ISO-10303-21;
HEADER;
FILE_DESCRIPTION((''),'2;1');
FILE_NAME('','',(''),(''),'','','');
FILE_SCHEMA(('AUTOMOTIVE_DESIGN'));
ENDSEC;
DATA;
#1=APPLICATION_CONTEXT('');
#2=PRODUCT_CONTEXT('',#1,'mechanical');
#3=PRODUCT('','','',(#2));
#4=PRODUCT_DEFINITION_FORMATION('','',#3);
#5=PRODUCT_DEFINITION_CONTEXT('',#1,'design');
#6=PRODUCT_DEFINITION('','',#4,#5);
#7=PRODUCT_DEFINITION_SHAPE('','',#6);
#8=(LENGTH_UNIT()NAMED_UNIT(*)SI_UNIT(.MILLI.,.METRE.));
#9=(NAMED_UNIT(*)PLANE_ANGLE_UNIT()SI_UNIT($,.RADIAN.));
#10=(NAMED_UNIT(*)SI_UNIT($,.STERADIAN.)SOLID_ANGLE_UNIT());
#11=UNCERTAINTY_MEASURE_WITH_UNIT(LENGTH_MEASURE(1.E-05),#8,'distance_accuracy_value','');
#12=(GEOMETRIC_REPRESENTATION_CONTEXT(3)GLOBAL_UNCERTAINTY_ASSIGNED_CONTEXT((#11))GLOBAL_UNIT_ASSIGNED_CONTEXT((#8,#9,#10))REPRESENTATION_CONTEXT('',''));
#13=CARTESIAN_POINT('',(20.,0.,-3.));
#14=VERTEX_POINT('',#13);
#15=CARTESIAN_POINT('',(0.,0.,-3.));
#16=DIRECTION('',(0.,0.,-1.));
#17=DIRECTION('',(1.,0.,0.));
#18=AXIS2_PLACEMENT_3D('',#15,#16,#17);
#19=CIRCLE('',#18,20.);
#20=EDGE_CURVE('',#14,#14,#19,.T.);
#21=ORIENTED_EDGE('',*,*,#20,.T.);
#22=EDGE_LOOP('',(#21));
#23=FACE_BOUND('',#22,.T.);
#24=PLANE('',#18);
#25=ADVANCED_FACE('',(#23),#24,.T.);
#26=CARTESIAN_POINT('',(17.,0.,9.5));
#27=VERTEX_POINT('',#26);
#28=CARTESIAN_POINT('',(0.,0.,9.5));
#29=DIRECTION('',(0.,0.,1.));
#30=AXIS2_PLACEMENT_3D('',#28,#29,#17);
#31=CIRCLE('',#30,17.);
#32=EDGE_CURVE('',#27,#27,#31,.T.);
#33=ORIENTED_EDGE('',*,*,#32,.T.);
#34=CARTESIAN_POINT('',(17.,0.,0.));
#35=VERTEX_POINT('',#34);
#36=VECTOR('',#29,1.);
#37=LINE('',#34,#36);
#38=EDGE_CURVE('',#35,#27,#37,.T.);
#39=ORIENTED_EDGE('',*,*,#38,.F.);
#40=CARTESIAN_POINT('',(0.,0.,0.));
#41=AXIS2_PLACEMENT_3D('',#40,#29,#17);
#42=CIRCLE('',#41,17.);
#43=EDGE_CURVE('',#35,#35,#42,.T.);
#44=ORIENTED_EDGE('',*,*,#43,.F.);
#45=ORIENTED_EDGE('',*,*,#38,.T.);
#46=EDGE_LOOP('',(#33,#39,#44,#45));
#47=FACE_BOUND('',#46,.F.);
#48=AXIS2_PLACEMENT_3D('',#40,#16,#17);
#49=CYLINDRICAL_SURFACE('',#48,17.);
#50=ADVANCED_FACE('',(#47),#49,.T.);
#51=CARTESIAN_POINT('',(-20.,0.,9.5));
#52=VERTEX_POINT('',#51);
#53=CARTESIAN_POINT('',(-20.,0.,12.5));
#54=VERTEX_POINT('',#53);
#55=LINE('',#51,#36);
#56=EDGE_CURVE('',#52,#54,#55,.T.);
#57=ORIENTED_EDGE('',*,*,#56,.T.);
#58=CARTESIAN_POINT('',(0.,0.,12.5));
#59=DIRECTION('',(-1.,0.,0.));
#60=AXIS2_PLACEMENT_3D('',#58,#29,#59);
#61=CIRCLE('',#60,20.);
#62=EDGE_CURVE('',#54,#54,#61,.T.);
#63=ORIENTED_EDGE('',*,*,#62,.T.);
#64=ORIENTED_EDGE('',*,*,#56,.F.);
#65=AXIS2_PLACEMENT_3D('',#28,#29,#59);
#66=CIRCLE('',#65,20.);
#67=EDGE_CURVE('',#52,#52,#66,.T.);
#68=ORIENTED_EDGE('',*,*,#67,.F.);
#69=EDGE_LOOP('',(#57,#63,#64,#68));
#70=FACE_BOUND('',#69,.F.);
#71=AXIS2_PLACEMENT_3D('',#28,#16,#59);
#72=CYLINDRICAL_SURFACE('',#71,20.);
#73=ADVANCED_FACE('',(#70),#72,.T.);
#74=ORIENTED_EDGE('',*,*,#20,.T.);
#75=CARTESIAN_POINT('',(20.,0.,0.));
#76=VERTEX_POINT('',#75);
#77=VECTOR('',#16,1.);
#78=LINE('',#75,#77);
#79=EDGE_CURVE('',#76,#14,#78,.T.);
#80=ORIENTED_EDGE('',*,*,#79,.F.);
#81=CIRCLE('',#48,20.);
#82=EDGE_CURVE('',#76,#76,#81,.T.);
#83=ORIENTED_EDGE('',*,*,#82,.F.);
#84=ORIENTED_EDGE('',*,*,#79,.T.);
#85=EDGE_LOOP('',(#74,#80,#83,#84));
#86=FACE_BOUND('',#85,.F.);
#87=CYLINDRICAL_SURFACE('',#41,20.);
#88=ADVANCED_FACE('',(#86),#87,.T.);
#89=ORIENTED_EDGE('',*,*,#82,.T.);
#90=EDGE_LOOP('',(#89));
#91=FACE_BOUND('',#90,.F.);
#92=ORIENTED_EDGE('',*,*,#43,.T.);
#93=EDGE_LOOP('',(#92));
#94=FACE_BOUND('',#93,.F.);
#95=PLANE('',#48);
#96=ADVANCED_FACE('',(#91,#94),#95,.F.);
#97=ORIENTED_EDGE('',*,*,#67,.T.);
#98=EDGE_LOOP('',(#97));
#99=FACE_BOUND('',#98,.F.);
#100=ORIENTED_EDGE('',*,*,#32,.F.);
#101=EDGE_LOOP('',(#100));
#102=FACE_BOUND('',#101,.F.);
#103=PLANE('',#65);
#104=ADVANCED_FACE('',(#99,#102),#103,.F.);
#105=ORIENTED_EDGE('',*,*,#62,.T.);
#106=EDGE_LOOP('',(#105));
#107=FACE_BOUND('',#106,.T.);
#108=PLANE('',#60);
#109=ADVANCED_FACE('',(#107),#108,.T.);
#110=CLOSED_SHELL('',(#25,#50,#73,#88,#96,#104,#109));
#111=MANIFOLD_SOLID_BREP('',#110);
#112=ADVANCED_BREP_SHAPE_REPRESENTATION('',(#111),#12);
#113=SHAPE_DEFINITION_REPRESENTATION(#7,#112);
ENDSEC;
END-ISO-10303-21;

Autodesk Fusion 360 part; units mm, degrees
sketch "Skizze1" plane through (0, 0, 0) normal (0, 0, 1) x (1, 0, 0)
  circle A0 centre (0, 0) radius 17
  dimension "d1" = 34
extrude "Extrusion1" add sketch "Skizze1" along normal blind 9.5
sketch "Skizze2" plane through (0, 0, 9.5) normal (0, 0, 1) x (-1, 0, 0)
  circle A0 centre (0, 0) radius 17
  circle A1 centre (0, 0) radius 20
  dimension "d5" = 40
extrude "Extrusion2" add sketch "Skizze2" along normal blind 3 contours A0 | A1
sketch "Skizze3" plane through (0, 0, 0) normal (0, 0, -1) x (1, 0, 0)
  circle A0 centre (0, 0) radius 17
  circle A1 centre (0, 0) radius 20
  dimension "d8" = 40
extrude "Extrusion3" add sketch "Skizze3" along normal blind 3 contours A0 | A1
